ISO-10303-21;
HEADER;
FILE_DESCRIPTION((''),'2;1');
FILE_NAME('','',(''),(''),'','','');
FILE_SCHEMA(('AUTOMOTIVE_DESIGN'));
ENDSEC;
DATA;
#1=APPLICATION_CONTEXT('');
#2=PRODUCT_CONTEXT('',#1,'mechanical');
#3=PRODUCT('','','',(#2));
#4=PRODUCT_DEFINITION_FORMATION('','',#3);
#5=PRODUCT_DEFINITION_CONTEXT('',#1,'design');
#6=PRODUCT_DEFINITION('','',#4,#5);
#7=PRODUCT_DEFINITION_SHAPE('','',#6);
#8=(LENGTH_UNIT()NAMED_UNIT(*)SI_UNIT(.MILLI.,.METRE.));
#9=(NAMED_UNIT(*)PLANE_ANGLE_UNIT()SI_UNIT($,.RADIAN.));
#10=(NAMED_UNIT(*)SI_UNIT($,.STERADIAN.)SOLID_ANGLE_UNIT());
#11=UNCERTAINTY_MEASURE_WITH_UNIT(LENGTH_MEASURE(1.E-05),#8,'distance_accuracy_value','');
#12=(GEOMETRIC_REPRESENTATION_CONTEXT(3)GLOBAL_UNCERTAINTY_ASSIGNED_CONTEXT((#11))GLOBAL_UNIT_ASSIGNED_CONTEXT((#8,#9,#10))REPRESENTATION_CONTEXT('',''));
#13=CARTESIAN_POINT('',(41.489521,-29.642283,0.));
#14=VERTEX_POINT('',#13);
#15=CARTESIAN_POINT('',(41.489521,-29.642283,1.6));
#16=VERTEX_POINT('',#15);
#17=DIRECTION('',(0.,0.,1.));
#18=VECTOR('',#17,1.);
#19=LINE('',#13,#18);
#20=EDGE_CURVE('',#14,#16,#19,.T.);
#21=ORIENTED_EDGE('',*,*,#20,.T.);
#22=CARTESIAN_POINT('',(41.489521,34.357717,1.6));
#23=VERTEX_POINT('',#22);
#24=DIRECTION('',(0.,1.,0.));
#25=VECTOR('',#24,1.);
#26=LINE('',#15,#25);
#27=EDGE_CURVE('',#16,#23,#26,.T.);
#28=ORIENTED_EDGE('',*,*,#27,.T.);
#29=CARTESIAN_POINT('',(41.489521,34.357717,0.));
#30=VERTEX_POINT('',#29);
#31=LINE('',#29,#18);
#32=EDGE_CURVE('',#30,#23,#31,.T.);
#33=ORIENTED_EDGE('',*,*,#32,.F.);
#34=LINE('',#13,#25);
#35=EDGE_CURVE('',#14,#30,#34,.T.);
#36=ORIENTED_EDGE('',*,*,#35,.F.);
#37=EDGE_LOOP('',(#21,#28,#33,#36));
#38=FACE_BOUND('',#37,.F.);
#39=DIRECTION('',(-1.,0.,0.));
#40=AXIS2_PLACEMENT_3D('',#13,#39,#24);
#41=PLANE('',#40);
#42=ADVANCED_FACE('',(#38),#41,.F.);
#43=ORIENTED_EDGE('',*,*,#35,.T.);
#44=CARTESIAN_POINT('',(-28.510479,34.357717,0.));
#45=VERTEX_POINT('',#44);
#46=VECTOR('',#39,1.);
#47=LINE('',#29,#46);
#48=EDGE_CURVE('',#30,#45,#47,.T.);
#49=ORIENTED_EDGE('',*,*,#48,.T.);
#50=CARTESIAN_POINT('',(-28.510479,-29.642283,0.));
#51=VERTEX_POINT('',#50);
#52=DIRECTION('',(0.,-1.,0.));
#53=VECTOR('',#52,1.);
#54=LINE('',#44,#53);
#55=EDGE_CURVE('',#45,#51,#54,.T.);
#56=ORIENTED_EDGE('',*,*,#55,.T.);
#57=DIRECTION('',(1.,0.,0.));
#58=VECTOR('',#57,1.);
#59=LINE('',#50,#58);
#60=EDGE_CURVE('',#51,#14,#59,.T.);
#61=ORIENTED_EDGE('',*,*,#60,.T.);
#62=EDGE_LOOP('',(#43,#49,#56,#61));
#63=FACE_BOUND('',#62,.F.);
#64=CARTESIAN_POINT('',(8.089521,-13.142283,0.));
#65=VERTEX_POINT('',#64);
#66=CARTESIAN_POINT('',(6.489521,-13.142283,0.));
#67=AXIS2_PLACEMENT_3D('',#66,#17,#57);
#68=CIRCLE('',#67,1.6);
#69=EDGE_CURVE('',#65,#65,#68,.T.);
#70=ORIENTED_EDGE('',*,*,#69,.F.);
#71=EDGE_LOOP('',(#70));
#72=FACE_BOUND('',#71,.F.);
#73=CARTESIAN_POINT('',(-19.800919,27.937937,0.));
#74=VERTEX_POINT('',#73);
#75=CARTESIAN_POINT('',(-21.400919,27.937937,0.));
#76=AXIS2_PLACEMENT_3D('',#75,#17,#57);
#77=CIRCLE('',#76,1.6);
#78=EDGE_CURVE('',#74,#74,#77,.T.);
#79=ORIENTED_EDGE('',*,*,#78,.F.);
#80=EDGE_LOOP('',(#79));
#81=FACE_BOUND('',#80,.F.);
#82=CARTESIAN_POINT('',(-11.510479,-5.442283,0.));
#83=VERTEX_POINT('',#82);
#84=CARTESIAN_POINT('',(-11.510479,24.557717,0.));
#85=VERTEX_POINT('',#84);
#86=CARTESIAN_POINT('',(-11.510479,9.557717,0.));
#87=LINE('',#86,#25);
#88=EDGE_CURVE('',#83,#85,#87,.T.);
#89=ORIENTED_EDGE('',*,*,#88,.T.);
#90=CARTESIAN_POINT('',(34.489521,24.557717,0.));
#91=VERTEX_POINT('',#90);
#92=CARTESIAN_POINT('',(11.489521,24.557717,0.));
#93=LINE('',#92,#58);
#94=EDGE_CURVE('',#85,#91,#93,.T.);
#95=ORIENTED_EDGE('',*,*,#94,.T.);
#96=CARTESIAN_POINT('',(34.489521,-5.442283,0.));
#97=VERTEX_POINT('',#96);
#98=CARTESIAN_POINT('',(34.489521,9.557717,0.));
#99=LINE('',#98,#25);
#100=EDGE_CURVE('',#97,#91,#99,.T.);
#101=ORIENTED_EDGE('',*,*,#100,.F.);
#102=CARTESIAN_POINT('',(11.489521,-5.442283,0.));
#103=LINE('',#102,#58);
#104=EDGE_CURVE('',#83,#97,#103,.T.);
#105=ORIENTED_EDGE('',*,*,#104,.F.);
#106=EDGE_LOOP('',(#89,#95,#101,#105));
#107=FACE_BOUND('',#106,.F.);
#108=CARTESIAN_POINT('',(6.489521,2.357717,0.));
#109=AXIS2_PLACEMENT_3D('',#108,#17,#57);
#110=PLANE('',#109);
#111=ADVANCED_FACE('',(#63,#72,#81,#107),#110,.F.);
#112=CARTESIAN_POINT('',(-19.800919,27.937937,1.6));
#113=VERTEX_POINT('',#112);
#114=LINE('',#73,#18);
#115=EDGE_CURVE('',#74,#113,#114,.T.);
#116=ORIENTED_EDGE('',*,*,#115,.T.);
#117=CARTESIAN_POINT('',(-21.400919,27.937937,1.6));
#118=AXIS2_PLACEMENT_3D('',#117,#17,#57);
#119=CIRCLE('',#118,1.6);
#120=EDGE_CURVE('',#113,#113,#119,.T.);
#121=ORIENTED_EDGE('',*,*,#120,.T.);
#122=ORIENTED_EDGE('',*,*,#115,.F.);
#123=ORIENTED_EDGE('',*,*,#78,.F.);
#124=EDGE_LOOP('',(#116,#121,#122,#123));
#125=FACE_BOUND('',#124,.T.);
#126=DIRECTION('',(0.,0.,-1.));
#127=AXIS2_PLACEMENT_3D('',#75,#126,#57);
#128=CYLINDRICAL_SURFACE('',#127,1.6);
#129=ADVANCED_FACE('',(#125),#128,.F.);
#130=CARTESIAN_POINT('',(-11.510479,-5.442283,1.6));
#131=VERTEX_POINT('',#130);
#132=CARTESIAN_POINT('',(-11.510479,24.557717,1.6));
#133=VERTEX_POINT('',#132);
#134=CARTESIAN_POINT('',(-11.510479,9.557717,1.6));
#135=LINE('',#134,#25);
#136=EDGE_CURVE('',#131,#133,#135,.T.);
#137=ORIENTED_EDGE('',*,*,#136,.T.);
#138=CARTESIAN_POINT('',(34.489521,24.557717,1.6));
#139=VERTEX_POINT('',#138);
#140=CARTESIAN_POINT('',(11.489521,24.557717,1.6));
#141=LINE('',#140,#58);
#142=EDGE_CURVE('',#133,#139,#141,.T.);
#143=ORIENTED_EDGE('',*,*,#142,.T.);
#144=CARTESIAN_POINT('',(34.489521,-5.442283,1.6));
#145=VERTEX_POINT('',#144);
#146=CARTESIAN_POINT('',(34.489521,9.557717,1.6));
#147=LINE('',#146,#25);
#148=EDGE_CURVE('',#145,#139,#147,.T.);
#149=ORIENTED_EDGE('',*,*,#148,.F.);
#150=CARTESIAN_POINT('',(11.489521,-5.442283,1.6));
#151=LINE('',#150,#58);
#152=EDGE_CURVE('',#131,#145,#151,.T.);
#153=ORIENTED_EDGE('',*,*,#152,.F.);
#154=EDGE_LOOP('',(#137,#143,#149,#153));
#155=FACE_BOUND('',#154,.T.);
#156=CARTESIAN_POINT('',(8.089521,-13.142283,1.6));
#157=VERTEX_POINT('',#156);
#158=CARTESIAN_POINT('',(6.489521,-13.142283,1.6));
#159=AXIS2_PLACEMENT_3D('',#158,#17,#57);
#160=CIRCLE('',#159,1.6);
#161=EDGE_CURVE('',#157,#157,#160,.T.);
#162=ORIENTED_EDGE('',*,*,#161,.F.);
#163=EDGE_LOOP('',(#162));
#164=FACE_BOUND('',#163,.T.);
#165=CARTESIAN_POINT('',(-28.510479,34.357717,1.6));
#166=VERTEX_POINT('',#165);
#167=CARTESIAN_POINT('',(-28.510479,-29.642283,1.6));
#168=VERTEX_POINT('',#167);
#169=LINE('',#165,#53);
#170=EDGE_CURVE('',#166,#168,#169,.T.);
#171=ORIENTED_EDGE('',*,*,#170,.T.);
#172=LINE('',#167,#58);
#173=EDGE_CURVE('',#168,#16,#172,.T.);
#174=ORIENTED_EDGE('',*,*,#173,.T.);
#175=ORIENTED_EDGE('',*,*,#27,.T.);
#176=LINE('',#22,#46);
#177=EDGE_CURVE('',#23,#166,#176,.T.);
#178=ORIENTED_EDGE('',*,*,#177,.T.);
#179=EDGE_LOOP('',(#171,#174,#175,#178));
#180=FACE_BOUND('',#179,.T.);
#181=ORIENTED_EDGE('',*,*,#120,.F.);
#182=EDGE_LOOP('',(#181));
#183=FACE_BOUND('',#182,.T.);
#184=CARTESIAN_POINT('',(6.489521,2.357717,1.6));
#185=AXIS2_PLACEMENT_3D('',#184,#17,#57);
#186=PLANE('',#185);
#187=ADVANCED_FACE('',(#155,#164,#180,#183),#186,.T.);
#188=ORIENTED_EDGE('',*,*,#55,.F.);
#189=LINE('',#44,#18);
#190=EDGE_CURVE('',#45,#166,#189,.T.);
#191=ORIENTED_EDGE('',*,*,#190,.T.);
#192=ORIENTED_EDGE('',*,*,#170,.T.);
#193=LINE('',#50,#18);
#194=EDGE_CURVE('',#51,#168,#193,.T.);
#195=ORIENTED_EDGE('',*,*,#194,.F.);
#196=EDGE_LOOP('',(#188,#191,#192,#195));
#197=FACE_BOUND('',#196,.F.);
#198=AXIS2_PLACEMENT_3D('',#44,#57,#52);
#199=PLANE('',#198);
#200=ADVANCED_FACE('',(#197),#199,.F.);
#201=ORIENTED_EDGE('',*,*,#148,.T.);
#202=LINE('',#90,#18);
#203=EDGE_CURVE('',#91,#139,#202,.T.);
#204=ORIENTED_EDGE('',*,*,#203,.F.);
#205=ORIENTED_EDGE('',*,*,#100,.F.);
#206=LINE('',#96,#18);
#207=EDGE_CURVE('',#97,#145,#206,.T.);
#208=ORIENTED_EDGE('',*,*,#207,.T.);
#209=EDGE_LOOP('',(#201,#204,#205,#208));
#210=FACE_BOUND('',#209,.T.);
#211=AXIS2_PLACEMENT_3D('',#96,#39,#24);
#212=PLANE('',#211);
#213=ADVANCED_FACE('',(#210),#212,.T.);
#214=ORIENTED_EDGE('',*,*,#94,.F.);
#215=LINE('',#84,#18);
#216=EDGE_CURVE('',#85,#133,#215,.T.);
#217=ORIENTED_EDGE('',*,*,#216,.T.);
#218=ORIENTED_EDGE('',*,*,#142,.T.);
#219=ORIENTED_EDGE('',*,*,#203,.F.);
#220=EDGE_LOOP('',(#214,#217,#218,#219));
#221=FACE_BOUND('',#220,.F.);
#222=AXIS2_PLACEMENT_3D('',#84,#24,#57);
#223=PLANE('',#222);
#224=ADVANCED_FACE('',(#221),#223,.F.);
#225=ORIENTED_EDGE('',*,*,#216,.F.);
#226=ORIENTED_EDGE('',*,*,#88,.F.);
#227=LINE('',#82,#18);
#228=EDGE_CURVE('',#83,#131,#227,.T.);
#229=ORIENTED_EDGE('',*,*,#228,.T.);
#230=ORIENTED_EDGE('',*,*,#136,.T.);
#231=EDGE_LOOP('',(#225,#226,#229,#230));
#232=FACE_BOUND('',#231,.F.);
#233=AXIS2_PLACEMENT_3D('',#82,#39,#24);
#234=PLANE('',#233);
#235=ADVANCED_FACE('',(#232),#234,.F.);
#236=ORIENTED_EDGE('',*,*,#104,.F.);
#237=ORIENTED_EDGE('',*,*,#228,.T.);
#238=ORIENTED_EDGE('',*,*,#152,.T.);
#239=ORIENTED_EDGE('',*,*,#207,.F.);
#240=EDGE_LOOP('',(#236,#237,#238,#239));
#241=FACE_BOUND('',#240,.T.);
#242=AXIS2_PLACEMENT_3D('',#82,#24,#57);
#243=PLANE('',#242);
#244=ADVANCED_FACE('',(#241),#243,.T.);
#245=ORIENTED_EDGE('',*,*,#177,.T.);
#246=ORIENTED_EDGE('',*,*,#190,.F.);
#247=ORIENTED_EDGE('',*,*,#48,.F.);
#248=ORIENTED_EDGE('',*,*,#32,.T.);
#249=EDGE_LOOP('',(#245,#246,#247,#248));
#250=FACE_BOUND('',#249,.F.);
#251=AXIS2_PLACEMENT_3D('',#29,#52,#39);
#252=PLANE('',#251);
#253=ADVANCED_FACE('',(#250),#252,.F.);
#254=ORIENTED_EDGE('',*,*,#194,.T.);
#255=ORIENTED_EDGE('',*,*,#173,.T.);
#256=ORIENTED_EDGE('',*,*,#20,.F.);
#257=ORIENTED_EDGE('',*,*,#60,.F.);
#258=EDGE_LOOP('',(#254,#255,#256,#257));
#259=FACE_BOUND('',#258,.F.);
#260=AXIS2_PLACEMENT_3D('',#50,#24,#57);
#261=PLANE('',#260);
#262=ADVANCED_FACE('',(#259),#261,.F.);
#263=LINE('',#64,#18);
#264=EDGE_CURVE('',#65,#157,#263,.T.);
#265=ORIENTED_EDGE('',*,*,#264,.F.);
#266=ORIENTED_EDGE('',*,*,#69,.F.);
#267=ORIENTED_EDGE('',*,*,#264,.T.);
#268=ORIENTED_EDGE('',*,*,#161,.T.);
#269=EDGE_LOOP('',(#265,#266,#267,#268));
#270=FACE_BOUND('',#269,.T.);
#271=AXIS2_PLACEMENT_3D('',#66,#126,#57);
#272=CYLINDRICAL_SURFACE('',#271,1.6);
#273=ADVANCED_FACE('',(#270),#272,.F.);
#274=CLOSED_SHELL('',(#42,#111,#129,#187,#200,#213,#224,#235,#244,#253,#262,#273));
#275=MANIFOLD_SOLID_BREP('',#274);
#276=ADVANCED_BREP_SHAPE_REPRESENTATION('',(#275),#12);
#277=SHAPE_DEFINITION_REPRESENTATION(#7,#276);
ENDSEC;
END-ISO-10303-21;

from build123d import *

# Parameters (mm, degrees)
F0_R     = 1.6
F0_W     = 46
F0_H     = 30
F1_DEPTH = 1.6


with BuildPart() as f1:
    # F0 (on Top) → F1 (new body)
    with BuildSketch(Plane.XY):
        Polygon((41.489521, 34.357717), (-28.510479, 34.357717), (-28.510479, -3.442283), (-28.510479, -14.442283), (-28.510479, -29.642283), (41.489521, -29.642283), align=None)
        with Locations((6.489521, -13.142283)):
            Circle(F0_R, mode=Mode.SUBTRACT)
        with Locations((-21.400919, 27.937937)):
            Circle(F0_R, mode=Mode.SUBTRACT)
        with Locations((11.489521, 9.557717)):
            Rectangle(F0_W, F0_H, mode=Mode.SUBTRACT)
    extrude(amount=F1_DEPTH)


solid = f1.part
